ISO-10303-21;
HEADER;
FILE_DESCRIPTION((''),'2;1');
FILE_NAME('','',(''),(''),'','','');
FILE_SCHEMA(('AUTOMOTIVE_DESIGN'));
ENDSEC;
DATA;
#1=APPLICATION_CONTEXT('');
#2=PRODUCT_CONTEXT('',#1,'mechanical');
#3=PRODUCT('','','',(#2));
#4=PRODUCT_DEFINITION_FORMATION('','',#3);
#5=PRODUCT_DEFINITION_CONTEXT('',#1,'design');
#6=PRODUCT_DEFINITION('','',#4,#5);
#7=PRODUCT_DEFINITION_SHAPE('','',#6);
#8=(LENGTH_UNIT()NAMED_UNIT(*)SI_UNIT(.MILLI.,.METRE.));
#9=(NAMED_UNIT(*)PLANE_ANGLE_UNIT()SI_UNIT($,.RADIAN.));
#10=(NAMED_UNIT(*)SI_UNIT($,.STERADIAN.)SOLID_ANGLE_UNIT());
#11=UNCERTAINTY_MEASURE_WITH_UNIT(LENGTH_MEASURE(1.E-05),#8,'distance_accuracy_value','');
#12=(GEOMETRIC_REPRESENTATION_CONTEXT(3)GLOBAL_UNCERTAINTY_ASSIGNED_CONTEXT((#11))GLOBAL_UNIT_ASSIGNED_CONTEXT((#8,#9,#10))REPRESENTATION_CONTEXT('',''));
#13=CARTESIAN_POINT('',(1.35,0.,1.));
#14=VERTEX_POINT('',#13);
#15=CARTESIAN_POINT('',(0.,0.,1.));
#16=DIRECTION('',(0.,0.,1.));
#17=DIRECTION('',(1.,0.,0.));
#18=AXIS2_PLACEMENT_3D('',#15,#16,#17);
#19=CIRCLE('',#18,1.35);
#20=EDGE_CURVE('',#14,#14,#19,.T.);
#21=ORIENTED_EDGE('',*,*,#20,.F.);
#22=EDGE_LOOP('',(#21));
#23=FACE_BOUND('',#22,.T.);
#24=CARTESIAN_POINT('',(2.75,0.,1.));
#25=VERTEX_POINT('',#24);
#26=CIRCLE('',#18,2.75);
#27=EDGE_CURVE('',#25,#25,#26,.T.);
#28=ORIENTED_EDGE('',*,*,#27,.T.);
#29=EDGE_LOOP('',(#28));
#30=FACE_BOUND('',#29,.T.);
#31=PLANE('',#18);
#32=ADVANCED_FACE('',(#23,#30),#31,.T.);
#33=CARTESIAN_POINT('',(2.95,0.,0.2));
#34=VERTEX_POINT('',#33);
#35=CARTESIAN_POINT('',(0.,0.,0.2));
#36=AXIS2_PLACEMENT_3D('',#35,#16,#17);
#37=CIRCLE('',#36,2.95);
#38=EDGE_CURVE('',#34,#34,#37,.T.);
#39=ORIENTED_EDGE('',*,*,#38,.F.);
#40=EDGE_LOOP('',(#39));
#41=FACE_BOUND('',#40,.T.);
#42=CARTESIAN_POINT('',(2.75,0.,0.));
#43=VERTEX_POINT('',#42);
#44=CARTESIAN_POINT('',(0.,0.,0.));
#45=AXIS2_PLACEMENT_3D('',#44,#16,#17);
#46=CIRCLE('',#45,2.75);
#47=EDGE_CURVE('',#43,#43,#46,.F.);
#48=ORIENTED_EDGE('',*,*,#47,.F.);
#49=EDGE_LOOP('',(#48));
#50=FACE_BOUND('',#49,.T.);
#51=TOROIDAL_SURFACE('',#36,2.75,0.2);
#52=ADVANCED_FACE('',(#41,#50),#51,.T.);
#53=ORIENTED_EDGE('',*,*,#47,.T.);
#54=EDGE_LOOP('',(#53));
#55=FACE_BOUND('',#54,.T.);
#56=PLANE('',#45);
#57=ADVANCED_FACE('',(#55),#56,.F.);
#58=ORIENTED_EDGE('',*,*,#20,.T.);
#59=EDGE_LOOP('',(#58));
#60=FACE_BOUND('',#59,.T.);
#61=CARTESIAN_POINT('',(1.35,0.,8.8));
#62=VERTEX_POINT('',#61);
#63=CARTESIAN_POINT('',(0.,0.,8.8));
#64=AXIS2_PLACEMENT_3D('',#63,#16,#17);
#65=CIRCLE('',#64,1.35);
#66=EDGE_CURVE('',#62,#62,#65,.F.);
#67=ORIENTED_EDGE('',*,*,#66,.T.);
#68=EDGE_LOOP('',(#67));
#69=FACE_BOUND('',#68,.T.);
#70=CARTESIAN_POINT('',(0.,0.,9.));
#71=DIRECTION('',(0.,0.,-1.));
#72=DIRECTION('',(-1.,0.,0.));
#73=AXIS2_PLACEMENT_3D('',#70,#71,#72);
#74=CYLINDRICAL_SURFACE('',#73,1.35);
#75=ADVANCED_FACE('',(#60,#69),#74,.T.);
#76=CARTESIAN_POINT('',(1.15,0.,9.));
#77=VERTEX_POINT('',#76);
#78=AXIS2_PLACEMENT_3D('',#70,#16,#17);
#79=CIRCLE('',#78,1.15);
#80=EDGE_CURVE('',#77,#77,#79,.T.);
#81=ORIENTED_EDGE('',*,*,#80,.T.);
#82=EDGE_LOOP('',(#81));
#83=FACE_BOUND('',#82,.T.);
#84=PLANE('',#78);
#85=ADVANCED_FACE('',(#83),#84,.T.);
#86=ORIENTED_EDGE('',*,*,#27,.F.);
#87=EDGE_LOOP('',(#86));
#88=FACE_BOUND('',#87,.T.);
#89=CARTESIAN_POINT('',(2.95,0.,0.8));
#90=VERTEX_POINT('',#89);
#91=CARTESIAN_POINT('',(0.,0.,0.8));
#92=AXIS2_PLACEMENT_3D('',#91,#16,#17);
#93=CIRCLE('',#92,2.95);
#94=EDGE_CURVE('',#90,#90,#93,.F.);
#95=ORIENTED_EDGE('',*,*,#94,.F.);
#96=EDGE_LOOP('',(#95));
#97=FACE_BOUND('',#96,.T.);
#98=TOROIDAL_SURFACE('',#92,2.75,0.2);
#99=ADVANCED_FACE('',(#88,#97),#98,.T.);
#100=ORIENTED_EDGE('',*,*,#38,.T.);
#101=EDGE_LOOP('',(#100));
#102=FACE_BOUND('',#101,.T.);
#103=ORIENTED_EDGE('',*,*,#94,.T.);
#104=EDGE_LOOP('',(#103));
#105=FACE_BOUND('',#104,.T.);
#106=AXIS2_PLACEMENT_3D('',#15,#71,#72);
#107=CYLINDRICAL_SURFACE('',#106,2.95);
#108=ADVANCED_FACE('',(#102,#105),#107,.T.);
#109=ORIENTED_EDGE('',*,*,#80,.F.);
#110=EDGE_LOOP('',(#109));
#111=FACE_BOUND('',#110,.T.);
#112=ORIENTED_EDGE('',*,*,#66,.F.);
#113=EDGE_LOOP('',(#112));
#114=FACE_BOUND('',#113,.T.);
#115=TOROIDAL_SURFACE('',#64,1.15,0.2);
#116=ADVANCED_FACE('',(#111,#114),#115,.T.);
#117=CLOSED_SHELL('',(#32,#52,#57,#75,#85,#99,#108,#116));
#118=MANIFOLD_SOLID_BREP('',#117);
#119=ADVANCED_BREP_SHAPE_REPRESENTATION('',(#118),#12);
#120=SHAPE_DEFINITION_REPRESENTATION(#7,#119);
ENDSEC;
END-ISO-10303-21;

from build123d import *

# Parameters (mm, degrees)
SKETCH1_R           = 2.95
BOSS_EXTRUDE1_DEPTH = 1
SKETCH2_R           = 1.35
BOSS_EXTRUDE2_DEPTH = 8
FILLET1_R           = 0.2


with BuildPart() as part:
    # Sketch1 → Boss-Extrude1 (new body)
    with BuildSketch(Plane.XY):
        Circle(SKETCH1_R)
    extrude(amount=BOSS_EXTRUDE1_DEPTH)

    # Sketch2 → Boss-Extrude2 (add)
    with BuildSketch(Plane.XY.offset(1)):
        Circle(SKETCH2_R)
    extrude(amount=BOSS_EXTRUDE2_DEPTH)

    # Fillet1
    fillet1_edges = [part.edges().sort_by_distance(p)[0] for p in [
        (-2.95, 0, 0),
        (-2.95, 0, 1),
        (-1.35, 0, 9),
    ]]
    fillet(fillet1_edges, radius=FILLET1_R)


solid = part.part
